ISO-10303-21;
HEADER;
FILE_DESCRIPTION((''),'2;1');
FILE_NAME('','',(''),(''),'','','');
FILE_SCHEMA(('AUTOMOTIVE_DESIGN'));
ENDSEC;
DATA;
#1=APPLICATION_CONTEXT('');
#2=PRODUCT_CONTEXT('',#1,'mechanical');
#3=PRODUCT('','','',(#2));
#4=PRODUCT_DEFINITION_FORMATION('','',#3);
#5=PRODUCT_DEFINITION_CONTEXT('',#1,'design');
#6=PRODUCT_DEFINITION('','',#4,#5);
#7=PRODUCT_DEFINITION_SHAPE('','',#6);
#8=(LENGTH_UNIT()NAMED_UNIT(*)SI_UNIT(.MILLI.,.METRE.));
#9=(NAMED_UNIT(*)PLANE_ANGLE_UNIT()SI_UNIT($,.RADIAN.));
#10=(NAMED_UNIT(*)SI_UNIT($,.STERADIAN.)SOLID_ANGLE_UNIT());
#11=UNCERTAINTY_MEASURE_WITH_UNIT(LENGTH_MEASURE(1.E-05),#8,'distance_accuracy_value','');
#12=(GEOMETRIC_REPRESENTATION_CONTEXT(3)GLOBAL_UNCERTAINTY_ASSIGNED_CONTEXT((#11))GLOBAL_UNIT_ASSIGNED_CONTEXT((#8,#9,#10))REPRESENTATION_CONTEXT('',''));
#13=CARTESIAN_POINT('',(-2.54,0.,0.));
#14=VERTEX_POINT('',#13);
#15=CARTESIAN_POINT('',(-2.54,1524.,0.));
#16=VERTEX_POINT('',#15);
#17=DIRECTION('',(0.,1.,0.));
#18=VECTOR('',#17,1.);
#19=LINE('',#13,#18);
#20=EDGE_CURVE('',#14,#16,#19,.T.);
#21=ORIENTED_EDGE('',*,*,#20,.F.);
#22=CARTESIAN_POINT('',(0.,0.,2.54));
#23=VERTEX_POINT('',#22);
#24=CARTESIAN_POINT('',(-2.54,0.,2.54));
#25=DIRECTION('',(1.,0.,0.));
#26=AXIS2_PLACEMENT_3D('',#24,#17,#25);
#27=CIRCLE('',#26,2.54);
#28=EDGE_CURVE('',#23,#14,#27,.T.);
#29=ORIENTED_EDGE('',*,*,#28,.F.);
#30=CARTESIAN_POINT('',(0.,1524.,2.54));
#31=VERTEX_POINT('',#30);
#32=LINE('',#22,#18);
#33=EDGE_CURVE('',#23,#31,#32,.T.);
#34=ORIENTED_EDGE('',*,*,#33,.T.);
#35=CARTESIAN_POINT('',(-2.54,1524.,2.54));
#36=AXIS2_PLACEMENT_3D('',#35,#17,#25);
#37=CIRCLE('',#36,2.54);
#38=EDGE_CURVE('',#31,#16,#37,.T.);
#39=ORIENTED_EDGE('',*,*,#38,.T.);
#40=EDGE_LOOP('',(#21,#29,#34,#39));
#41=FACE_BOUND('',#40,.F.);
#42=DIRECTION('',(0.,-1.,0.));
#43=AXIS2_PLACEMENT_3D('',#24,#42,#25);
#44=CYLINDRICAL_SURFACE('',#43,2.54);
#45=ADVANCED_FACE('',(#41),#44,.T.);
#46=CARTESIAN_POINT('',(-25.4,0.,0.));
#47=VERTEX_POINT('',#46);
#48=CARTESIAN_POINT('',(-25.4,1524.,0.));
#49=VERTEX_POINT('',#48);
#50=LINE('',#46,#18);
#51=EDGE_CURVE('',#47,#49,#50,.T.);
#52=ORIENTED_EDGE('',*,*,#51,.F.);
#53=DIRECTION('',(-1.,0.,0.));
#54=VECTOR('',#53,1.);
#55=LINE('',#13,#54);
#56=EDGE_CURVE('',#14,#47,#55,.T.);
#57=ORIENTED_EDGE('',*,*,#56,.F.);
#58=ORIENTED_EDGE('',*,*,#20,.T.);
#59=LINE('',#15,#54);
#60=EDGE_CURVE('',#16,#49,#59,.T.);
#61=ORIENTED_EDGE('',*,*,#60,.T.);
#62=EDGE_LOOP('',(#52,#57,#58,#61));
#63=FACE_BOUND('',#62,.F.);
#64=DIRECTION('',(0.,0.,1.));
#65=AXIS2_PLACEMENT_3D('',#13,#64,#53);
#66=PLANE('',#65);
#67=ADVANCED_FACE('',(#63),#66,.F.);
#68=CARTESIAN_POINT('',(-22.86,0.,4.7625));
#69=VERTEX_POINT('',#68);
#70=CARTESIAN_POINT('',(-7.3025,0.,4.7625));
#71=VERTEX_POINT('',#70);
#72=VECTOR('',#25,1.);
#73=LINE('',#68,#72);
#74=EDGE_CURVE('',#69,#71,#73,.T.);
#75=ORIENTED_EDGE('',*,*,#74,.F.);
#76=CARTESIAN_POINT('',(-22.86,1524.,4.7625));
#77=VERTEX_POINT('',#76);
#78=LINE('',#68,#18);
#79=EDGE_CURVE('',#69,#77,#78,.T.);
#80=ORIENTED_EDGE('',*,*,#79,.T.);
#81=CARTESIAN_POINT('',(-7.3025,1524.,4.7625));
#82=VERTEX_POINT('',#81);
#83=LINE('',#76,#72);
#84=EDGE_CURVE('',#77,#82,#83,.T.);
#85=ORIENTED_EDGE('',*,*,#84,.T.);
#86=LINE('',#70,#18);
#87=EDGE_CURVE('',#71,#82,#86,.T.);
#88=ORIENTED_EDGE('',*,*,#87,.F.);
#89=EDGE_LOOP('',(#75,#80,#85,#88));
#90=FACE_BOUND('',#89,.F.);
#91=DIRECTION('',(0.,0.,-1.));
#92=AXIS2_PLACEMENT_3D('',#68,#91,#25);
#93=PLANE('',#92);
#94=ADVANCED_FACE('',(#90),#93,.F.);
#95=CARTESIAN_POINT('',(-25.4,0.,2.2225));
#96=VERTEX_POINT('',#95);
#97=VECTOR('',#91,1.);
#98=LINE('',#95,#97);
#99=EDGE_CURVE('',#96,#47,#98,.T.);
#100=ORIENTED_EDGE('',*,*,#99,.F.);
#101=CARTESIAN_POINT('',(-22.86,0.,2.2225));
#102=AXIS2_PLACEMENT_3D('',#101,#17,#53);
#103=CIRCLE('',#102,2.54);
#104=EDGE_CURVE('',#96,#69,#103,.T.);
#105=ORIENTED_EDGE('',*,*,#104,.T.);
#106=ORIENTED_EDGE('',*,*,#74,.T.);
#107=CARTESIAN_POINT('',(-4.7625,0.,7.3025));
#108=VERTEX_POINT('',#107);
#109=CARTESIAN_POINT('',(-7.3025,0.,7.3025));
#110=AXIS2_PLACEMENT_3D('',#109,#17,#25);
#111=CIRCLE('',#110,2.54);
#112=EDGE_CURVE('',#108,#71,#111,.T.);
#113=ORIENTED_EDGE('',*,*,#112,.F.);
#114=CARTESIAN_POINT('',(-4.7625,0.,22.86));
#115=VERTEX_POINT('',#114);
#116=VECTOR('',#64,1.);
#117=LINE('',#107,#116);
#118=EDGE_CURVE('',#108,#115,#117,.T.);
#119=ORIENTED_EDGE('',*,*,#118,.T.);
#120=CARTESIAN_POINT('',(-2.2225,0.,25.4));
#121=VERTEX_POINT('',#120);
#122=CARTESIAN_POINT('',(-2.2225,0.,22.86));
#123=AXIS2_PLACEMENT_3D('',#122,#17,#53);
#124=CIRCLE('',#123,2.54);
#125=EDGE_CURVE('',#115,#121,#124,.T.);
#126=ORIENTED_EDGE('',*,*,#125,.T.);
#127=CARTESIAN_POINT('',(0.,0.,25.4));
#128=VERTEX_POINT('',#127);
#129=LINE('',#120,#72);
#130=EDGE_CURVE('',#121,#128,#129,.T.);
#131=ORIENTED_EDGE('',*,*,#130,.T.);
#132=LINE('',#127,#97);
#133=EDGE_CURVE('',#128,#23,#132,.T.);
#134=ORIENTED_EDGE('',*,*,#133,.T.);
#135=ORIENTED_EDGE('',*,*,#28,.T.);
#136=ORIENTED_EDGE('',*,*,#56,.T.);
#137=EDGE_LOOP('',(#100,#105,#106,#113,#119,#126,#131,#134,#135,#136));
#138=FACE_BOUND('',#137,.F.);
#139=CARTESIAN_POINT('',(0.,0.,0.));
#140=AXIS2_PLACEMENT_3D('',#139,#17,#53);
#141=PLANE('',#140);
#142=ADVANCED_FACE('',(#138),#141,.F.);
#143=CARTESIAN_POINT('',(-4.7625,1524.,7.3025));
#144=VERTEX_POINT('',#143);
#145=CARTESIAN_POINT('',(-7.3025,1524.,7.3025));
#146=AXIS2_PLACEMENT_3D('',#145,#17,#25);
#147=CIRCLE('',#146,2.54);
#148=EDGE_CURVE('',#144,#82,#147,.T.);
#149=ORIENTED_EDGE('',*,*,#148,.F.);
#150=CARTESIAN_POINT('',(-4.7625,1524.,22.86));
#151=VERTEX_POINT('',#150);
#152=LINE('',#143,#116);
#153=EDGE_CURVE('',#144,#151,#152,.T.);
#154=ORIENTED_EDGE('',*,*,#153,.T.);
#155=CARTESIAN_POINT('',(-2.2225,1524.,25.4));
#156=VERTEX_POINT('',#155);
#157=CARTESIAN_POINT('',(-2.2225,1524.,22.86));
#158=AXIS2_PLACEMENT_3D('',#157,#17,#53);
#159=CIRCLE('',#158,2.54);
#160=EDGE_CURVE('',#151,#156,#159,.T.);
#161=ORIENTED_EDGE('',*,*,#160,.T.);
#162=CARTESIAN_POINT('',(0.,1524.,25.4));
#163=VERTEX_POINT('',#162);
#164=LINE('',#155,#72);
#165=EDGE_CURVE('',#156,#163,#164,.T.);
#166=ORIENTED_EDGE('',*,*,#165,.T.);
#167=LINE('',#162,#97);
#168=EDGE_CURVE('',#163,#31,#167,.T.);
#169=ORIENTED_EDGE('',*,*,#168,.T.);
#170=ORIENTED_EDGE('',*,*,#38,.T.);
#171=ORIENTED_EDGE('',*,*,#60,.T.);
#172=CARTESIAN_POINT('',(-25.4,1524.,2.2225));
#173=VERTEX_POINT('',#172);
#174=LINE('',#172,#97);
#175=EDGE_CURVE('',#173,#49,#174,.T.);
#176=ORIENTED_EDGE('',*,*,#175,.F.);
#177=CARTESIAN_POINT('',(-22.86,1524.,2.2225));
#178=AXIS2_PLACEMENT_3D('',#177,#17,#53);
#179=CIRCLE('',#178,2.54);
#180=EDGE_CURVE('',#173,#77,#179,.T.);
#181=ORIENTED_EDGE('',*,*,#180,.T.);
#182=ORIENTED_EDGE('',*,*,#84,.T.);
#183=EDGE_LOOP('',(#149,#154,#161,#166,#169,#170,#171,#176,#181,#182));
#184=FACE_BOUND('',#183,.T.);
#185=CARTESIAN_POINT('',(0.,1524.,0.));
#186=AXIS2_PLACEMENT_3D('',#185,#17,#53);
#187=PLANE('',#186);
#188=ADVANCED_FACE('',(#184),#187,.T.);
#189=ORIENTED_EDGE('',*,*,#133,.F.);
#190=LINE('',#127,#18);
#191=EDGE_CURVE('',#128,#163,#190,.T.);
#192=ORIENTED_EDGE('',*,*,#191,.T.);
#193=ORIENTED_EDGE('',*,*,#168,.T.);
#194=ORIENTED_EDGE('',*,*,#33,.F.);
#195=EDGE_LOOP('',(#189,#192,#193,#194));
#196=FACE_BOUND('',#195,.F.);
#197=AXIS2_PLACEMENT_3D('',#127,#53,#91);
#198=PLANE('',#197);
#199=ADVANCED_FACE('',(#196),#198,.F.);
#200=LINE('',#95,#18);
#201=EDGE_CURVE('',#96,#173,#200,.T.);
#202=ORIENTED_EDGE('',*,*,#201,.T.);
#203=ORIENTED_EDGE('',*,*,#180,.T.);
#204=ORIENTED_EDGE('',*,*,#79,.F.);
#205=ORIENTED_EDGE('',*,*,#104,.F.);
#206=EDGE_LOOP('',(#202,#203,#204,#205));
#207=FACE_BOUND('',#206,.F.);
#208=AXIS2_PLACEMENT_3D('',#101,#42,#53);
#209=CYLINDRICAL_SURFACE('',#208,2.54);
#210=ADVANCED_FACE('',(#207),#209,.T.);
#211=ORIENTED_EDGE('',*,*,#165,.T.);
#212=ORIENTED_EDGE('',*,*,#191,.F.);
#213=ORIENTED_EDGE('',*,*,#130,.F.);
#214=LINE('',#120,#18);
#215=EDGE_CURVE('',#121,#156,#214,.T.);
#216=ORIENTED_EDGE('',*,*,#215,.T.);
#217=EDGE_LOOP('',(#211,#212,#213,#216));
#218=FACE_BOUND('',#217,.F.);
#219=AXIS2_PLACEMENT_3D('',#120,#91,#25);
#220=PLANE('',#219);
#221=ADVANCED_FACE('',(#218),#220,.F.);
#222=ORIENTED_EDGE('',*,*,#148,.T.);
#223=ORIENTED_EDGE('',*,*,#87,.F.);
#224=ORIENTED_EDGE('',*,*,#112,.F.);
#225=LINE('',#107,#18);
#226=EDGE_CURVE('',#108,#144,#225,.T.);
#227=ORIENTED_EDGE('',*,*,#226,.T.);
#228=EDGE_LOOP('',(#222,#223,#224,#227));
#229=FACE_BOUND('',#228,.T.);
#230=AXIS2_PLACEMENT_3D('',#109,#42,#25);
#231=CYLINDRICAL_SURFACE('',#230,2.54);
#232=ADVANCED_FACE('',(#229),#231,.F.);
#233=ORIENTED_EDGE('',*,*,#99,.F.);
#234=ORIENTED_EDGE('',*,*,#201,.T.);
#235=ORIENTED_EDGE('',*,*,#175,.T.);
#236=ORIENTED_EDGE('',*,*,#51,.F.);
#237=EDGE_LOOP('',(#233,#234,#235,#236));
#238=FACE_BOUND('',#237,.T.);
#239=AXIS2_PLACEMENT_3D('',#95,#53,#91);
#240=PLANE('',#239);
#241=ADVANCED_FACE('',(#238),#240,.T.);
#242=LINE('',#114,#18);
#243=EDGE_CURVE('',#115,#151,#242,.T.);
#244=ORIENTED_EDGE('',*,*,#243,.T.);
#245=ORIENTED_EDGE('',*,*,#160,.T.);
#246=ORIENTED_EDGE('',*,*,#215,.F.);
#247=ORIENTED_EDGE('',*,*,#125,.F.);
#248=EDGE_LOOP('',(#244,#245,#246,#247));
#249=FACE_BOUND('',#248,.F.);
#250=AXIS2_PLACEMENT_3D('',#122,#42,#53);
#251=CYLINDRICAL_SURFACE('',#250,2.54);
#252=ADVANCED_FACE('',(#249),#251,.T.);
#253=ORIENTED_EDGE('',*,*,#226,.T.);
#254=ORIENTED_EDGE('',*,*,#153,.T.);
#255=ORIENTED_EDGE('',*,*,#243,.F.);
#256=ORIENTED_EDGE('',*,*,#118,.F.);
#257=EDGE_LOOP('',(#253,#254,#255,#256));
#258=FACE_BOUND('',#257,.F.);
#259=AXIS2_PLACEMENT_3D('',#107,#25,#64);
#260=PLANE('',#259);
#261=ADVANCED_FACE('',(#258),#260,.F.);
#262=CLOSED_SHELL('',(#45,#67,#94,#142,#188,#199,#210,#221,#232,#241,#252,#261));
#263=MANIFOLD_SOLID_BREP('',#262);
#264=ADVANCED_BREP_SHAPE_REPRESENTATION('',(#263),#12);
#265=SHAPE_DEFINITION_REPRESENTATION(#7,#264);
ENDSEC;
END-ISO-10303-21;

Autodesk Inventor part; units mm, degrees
ref_plane "YZ Plane" through (0, 0, 0) normal (1, 0, 0) x (0, 1, 0)
ref_plane "XZ Plane" through (0, 0, 0) normal (0, 1, 0) x (-1, 0, 0)
ref_plane "XY Plane" through (0, 0, 0) normal (0, 0, 1) x (1, 0, 0)
sketch "Sketch1" plane through (0, 0, 0) normal (0, 1, 0) x (-1, 0, 0)
  line L0 (2.54, 0) -> (25.4, 0)
  line L1 (0, 25.4) -> (0, 2.54)
  line L2 (22.86, 4.7625) -> (7.3025, 4.7625)
  line L3 (4.7625, 7.3025) -> (4.7625, 22.86)
  line L4 (2.2225, 25.4) -> (0, 25.4)
  line L5 (25.4, 2.2225) -> (25.4, 0)
  arc A0 (4.7625, 7.3025) -> (7.3025, 4.7625) centre (7.3025, 7.3025) ccw
  arc A1 (4.7625, 22.86) -> (2.2225, 25.4) centre (2.2225, 22.86) ccw
  arc A2 (0, 2.54) -> (2.54, 0) centre (2.54, 2.54) ccw
  arc A3 (25.4, 2.2225) -> (22.86, 4.7625) centre (22.86, 2.2225) ccw
  point P0 (0, 0)
  dimension "d2" = 4.7625
  dimension "d3" = 25.4
  dimension "d4" = 25.4
  dimension "d5" = 2.54
extrude "Back Leg" add sketch "Sketch1" along normal blind 1524
properties part number "legs-br_t"
